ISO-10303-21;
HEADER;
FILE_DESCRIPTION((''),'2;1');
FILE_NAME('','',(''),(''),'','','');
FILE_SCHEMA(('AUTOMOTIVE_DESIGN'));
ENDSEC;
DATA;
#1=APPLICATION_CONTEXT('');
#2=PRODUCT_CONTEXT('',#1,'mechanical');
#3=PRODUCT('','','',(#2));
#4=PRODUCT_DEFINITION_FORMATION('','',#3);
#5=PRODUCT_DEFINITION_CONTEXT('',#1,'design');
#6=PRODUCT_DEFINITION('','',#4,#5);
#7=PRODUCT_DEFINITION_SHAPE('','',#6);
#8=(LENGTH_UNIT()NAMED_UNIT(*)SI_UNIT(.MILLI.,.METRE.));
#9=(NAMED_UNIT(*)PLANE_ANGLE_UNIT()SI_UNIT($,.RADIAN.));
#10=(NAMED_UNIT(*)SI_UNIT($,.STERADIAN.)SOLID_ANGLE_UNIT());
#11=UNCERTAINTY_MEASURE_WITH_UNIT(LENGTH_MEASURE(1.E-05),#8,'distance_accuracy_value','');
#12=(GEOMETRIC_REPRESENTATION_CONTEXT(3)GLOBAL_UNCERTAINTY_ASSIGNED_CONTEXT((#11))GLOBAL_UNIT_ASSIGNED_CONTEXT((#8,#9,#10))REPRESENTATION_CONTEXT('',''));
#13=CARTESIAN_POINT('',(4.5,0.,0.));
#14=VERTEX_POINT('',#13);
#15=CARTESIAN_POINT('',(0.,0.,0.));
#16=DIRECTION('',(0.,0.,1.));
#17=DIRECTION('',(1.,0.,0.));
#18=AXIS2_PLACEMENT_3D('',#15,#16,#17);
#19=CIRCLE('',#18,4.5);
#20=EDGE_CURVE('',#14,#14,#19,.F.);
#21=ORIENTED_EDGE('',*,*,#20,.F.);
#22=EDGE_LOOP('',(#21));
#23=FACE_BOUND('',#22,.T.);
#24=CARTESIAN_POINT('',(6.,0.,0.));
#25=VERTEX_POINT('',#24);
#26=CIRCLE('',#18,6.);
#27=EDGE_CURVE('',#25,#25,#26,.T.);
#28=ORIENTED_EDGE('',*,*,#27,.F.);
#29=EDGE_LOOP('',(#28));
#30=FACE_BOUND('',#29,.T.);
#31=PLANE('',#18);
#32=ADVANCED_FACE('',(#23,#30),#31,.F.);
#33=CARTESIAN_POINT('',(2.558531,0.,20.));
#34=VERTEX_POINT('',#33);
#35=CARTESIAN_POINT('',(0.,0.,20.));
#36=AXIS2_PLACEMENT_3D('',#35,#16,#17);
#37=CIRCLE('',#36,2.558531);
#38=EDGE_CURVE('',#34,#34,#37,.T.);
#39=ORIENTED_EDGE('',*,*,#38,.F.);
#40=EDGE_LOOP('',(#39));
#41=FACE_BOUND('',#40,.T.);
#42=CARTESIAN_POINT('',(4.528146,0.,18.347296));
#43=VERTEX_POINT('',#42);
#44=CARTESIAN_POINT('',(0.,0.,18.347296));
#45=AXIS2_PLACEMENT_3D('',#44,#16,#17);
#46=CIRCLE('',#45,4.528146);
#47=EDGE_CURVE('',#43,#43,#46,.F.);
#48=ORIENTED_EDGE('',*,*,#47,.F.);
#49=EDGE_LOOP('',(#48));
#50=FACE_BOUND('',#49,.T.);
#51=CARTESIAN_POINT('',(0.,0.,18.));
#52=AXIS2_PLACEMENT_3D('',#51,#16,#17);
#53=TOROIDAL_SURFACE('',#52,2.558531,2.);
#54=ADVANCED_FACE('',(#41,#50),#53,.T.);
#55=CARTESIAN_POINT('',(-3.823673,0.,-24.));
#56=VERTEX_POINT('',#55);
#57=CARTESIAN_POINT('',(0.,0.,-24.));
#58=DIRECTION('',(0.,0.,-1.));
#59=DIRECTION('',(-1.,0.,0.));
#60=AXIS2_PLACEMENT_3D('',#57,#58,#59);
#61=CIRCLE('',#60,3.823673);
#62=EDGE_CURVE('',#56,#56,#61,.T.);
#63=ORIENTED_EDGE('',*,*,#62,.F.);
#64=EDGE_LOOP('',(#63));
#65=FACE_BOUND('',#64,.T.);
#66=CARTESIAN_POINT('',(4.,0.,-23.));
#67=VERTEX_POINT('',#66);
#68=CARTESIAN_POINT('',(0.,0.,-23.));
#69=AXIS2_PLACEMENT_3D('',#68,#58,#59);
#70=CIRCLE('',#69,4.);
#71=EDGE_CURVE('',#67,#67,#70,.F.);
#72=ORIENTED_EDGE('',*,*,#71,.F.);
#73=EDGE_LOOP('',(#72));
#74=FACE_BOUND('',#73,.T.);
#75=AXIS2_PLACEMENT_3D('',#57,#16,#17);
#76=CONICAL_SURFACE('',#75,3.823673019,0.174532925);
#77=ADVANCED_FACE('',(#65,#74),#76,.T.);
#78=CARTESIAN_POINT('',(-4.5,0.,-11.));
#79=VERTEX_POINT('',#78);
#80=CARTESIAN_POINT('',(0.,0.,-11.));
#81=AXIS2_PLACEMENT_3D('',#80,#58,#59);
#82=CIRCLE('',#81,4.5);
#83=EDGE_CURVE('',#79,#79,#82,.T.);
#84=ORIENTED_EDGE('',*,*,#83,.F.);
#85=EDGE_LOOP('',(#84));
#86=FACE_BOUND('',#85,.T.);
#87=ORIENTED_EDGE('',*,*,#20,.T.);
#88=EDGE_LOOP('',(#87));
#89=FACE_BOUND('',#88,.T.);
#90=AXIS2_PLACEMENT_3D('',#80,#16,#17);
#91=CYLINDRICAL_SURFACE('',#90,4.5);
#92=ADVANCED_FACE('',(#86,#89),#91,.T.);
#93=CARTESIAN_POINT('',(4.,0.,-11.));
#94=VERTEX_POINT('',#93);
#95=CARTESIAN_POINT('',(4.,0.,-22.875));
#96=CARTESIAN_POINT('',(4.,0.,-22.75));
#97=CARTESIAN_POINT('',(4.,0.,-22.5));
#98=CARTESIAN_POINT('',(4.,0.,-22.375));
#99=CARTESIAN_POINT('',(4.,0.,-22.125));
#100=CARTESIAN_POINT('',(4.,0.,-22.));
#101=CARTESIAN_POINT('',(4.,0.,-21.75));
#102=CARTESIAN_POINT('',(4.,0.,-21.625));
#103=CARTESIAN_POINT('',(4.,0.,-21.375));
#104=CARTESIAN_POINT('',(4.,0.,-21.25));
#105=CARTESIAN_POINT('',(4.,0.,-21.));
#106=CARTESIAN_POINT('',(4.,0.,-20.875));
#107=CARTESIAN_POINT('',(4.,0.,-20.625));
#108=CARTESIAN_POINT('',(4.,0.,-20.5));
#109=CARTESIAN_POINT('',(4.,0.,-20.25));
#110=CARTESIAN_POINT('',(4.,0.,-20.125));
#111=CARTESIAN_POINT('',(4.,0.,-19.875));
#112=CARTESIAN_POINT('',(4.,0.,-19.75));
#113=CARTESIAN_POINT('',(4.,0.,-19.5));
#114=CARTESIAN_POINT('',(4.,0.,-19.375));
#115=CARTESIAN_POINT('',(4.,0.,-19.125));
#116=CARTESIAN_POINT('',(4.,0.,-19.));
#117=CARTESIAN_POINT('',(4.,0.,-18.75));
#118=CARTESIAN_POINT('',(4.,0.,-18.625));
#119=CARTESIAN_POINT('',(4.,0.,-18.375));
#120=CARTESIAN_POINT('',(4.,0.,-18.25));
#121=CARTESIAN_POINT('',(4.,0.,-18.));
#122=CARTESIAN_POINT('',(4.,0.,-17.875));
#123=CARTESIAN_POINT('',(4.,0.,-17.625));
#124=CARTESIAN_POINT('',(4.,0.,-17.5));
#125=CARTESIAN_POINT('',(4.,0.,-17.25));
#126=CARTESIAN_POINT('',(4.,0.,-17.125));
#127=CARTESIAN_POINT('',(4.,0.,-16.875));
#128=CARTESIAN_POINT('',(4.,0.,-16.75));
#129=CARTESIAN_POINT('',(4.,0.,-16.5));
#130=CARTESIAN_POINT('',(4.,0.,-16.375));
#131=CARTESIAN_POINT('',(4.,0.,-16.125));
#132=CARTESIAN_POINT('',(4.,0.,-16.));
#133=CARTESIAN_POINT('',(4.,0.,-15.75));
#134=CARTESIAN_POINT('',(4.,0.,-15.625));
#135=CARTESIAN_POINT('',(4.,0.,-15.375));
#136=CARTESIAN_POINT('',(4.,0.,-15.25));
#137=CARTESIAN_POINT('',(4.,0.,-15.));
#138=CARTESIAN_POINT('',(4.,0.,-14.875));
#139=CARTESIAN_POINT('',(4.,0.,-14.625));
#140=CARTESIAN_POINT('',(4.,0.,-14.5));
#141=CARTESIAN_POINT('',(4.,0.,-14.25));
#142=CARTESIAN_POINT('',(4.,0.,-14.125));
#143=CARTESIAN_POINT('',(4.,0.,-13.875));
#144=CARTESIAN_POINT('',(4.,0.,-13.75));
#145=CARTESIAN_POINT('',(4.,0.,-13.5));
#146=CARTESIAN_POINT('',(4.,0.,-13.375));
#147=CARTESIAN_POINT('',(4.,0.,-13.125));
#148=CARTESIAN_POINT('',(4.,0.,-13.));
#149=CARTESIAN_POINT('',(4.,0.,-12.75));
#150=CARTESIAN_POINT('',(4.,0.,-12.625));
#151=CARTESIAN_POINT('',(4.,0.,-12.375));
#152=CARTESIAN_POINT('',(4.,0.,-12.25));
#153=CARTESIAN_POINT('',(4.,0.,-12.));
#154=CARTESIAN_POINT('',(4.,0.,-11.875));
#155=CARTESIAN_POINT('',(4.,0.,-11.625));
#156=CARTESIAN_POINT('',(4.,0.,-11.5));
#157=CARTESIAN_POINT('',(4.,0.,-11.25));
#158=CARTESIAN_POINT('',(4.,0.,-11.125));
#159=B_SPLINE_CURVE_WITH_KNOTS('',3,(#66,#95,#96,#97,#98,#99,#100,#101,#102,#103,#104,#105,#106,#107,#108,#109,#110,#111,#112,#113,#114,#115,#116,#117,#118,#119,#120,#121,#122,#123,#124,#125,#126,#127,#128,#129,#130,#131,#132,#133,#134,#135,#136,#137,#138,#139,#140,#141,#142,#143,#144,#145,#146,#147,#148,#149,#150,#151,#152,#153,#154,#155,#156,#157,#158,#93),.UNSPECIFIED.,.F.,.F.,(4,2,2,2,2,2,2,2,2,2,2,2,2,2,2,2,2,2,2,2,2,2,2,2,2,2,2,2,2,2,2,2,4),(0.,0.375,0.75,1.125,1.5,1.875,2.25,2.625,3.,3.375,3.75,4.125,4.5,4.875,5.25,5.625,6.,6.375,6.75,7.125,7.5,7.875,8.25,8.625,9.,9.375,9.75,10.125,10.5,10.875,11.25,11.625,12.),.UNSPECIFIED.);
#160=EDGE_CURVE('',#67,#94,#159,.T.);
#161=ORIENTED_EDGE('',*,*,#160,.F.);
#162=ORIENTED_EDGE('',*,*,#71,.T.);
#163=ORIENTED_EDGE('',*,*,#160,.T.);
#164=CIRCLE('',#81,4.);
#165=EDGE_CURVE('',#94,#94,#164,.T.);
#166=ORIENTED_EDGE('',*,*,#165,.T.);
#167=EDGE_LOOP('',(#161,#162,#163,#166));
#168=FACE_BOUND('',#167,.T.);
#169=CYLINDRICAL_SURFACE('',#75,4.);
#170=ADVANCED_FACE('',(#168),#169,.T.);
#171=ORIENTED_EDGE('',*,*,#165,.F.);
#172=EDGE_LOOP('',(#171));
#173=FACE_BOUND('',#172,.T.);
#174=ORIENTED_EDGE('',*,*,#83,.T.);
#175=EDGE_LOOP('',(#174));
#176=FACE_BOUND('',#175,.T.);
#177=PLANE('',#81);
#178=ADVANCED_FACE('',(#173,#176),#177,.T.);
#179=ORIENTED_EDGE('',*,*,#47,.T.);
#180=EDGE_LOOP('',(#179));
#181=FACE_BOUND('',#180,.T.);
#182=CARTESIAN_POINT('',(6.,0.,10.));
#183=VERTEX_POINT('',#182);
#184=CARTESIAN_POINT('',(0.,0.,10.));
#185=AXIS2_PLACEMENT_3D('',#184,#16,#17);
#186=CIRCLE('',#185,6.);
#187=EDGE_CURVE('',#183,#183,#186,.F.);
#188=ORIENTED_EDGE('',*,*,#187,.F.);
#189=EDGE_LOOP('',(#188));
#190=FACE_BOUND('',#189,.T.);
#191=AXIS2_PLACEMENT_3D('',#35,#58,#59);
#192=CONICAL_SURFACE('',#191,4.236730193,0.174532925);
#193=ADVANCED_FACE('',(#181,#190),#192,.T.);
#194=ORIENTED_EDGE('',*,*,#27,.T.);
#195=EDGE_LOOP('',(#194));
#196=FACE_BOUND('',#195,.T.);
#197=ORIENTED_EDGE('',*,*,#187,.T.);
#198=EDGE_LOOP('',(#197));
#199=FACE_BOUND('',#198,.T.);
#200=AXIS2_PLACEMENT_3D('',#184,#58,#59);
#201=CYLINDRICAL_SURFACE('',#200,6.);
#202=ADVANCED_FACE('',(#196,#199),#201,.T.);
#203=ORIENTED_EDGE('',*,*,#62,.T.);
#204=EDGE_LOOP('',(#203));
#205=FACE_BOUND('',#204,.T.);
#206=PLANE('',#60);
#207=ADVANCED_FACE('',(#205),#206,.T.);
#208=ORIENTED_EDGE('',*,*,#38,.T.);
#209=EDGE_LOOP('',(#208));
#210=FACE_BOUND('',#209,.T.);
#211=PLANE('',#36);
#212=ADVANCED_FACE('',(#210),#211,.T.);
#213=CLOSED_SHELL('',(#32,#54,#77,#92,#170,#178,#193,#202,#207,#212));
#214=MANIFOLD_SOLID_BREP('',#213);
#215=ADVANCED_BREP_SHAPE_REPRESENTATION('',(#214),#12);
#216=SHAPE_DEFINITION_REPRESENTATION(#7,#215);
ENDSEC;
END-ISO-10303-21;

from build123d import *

# Parameters (mm, degrees)
CROQUIS1_R              = 6
SALIENTE_EXTRUIR1_DEPTH = 10
CROQUIS2_R              = 6
SALIENTE_EXTRUIR2_DEPTH = 10
CHAFL_N1_SIZE           = 10
CHAFL_N1_SIZE2          = 1.763269807
REDONDEO1_R             = 2
CROQUIS3_R              = 4.5
SALIENTE_EXTRUIR3_DEPTH = 11
CROQUIS4_R              = 4
SALIENTE_EXTRUIR4_DEPTH = 13
CHAFL_N2_SIZE           = 1
CHAFL_N2_SIZE2          = 0.176326981


with BuildPart() as part:
    # Croquis1 → Saliente-Extruir1 (new body)
    with BuildSketch(Plane.XY):
        Circle(CROQUIS1_R)
    extrude(amount=SALIENTE_EXTRUIR1_DEPTH)

    # Croquis2 → Saliente-Extruir2 (add)
    with BuildSketch(Plane.XY.offset(10)):
        Circle(CROQUIS2_R)
    extrude(amount=SALIENTE_EXTRUIR2_DEPTH)

    # Chaflán1
    chafl_n1_edges = [part.edges().sort_by_distance(p)[0] for p in [
        (-6, 0, 20),
    ]]
    chafl_n1_side = [part.faces().sort_by_distance(p)[0] for p in [
        (-6, 0, 10),
    ]]
    chamfer(chafl_n1_edges, length=CHAFL_N1_SIZE, length2=CHAFL_N1_SIZE2, reference=chafl_n1_side[0])

    # Redondeo1
    redondeo1_edges = [part.edges().sort_by_distance(p)[0] for p in [
        (-4.236730193, 0, 20),
    ]]
    fillet(redondeo1_edges, radius=REDONDEO1_R)

    # Croquis3 → Saliente-Extruir3 (add)
    with BuildSketch(Plane(origin=(0, 0, 0), x_dir=(-1, 0, 0), z_dir=(0, 0, -1))):
        with Locations(Location((0, 0, 0), (0, 0, 180))):
            Circle(CROQUIS3_R)
    extrude(amount=SALIENTE_EXTRUIR3_DEPTH)

    # Croquis4 → Saliente-Extruir4 (add)
    with BuildSketch(Plane(origin=(0, 0, -11), x_dir=(-1, 0, 0), z_dir=(0, 0, -1))):
        with Locations(Location((0, 0, 0), (0, 0, 180))):
            Circle(CROQUIS4_R)
    extrude(amount=SALIENTE_EXTRUIR4_DEPTH)

    # Chaflán2
    chafl_n2_edges = [part.edges().sort_by_distance(p)[0] for p in [
        (-4, 0, -24),
    ]]
    chafl_n2_side = [part.faces().sort_by_distance(p)[0] for p in [
        (-4, 0, -17.5),
    ]]
    chamfer(chafl_n2_edges, length=CHAFL_N2_SIZE, length2=CHAFL_N2_SIZE2, reference=chafl_n2_side[0])


solid = part.part
